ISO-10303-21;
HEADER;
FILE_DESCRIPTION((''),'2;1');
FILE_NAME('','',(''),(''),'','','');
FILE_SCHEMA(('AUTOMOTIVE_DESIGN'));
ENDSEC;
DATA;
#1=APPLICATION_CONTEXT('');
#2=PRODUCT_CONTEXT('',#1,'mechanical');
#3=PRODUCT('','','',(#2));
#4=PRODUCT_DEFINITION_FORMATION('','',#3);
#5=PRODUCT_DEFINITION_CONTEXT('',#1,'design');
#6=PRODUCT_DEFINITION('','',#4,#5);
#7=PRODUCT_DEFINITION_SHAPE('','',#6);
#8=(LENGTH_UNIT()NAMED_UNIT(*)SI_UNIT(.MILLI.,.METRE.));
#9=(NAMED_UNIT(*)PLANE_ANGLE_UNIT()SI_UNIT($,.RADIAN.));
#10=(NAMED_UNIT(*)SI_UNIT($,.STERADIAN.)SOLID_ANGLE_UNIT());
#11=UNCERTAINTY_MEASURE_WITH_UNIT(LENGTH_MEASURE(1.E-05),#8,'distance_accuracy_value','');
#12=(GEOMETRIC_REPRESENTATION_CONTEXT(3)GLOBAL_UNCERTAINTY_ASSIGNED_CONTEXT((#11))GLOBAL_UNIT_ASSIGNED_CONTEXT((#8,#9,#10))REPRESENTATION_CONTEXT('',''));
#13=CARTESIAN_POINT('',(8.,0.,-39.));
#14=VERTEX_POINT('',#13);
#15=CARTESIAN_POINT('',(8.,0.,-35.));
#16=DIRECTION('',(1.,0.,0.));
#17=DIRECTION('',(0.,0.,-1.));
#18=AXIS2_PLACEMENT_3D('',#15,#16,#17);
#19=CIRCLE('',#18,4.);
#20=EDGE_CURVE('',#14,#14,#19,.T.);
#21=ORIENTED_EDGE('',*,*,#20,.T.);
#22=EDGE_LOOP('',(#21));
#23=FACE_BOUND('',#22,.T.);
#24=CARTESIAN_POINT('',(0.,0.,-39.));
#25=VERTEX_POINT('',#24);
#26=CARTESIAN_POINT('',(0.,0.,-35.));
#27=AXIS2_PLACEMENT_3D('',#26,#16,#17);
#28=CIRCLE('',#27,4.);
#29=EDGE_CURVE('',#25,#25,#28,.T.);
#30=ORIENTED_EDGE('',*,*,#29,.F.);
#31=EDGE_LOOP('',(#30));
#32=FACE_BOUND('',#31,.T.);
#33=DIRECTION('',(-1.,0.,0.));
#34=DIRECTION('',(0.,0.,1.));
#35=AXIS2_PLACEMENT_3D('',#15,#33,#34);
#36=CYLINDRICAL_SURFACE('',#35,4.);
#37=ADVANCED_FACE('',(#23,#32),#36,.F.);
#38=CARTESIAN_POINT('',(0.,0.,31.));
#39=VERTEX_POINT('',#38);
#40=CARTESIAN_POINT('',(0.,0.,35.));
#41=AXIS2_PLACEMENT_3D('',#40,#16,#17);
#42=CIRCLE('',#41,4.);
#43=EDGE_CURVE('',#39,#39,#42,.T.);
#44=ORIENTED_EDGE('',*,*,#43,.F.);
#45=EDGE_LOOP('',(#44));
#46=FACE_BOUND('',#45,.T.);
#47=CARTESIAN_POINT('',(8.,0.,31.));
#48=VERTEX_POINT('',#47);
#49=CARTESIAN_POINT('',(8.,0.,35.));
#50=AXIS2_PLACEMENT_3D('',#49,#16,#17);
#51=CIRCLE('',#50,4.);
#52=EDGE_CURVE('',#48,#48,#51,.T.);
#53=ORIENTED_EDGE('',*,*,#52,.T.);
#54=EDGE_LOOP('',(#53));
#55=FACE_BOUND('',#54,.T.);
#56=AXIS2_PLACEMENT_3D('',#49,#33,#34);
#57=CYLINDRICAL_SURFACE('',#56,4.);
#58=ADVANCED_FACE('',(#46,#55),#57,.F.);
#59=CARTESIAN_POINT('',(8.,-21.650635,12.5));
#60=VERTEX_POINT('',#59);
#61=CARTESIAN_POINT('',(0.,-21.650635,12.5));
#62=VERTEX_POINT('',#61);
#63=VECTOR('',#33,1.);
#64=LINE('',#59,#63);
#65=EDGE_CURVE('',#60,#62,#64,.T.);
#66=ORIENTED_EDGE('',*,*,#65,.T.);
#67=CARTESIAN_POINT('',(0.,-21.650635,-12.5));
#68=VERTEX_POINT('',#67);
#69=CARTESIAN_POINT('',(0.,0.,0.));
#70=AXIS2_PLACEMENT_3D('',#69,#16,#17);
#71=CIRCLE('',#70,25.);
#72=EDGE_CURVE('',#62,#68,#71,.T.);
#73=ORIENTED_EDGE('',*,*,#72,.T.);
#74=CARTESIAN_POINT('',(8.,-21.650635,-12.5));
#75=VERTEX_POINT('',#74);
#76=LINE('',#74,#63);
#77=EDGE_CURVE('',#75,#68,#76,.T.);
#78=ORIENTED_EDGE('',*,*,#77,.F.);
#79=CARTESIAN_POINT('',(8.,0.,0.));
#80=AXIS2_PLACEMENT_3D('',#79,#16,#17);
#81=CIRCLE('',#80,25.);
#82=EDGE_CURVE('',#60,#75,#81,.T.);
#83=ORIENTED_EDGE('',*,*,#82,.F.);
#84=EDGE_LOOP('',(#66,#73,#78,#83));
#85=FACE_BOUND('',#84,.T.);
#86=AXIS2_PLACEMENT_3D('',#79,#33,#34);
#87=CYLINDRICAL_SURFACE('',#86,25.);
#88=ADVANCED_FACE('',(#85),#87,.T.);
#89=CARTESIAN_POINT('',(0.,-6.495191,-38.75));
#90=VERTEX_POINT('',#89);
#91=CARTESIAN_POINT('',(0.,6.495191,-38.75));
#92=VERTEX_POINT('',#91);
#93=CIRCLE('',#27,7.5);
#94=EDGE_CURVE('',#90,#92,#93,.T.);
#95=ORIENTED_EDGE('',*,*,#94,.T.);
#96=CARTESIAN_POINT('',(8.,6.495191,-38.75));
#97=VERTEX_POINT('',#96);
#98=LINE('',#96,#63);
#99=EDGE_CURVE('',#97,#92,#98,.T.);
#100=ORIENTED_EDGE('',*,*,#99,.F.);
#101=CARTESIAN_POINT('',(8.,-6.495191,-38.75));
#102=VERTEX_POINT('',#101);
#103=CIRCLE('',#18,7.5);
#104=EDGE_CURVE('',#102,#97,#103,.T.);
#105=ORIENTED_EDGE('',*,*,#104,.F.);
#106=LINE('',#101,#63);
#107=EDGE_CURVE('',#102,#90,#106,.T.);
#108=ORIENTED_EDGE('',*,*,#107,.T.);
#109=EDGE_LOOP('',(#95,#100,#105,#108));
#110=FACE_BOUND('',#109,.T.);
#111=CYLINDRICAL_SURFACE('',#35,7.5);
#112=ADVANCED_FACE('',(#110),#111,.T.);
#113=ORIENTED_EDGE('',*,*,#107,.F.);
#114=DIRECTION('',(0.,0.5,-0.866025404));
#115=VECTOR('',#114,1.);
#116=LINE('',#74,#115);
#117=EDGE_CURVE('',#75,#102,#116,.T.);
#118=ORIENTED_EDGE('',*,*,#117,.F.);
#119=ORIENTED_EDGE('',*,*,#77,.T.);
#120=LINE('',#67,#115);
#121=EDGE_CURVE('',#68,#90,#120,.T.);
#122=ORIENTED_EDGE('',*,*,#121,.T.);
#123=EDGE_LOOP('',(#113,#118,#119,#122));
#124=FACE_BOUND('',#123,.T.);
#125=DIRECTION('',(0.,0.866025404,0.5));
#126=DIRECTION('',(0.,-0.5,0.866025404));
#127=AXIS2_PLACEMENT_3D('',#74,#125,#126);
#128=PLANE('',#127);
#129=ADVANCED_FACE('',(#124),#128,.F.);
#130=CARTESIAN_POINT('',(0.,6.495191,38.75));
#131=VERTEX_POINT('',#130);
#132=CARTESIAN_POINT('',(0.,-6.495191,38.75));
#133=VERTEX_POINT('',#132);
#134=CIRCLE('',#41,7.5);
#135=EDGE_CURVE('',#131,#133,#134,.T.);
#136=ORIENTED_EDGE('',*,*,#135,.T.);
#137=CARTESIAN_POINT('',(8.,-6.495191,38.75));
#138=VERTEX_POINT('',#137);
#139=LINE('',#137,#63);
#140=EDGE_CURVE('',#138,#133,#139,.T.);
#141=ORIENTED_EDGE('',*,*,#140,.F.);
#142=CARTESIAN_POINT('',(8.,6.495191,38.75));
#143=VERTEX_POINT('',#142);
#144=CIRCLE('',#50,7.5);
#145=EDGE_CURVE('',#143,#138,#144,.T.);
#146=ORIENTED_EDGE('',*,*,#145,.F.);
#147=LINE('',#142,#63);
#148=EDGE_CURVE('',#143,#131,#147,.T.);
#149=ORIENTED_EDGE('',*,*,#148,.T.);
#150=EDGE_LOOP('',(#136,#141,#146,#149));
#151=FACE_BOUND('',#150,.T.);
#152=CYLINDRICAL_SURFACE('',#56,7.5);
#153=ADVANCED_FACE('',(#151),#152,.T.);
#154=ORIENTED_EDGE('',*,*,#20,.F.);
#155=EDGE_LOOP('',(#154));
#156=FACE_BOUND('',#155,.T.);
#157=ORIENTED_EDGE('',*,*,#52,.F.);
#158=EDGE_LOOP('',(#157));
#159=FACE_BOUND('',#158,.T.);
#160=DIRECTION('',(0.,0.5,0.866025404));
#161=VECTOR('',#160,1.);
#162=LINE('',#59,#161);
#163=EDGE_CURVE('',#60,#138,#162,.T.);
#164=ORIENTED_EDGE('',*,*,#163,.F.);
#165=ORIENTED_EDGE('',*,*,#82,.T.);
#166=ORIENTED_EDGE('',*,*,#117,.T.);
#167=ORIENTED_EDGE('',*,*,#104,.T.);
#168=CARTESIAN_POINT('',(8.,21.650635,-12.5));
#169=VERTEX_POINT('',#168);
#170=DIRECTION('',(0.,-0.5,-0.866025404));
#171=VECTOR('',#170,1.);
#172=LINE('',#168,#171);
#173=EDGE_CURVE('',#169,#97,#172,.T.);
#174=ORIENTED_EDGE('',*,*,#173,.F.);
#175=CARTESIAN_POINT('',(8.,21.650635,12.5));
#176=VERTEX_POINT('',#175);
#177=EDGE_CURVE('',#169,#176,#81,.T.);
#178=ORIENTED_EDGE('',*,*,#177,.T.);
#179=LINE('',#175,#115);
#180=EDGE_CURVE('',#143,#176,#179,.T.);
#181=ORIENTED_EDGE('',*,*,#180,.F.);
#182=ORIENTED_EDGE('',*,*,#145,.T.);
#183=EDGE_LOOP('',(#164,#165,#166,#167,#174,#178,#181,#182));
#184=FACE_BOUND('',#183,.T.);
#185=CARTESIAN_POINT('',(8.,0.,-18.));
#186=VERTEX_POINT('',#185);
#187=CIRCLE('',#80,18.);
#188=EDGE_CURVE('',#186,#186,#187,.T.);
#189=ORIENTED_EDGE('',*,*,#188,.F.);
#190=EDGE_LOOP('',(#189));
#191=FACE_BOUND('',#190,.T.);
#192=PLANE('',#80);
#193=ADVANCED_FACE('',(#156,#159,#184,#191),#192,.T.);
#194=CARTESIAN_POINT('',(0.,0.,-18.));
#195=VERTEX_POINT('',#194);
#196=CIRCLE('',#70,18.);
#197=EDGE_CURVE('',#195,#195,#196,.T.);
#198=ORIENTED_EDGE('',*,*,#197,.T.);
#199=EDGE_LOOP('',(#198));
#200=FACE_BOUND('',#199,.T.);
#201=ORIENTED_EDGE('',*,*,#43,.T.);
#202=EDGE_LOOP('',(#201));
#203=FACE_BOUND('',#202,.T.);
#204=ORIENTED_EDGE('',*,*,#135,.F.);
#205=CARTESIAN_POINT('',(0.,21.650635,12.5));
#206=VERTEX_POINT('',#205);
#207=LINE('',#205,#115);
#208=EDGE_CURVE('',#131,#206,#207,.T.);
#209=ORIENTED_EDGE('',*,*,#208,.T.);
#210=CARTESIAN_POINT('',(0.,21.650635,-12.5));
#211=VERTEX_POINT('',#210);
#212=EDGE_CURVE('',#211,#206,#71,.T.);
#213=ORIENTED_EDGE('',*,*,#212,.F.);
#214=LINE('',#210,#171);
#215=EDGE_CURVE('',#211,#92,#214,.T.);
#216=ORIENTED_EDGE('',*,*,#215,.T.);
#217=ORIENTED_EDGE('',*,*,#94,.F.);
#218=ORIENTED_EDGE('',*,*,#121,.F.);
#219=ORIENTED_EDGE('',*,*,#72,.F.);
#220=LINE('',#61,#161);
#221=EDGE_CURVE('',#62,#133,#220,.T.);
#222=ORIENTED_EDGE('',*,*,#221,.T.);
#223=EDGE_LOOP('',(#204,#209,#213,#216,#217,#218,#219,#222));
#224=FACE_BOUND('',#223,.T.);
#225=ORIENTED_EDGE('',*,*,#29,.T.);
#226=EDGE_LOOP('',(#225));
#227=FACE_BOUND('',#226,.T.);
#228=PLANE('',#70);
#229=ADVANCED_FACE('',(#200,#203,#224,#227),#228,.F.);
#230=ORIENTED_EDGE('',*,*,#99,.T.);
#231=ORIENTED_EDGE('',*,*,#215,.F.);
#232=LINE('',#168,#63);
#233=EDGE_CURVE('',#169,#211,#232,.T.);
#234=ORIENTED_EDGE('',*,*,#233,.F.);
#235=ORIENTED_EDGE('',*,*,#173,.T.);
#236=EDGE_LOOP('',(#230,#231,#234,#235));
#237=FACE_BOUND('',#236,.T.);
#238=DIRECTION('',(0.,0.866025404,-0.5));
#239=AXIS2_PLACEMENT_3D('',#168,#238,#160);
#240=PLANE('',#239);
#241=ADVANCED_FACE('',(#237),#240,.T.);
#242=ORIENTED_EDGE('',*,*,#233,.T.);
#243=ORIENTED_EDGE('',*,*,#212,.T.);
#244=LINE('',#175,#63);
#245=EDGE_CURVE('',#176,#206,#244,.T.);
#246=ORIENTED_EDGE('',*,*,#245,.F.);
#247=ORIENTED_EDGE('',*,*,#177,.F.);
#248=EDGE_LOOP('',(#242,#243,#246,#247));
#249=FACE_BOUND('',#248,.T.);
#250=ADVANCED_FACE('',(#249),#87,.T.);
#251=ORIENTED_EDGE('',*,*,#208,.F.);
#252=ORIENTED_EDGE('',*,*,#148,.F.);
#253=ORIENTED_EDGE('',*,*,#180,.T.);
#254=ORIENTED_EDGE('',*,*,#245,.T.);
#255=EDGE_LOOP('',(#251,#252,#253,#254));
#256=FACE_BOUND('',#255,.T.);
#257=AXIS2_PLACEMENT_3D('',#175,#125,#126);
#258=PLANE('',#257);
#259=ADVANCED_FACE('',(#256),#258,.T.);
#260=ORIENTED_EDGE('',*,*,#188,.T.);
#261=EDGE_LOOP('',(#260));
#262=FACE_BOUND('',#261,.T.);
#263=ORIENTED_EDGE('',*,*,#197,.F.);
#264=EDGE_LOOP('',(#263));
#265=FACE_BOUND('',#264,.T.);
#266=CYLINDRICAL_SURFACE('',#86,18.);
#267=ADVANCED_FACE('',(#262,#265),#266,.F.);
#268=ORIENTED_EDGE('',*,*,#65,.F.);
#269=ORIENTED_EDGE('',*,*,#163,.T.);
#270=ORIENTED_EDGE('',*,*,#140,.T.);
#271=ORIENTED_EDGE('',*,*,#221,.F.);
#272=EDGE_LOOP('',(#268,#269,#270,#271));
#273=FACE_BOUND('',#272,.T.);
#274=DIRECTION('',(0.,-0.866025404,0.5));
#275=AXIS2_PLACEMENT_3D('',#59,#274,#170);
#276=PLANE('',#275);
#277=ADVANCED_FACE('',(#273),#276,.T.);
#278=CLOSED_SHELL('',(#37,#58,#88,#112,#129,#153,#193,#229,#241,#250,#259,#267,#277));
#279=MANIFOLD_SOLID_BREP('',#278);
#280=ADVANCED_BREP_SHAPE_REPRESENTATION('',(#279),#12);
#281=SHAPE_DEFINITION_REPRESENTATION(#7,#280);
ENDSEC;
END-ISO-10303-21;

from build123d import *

# Parameters (mm, degrees)
SKETCH1_R           = 4
SKETCH1_R_2         = 18
BOSS_EXTRUDE1_DEPTH = 8


with BuildPart() as part:
    # Sketch1 → Boss-Extrude1 (new body)
    with BuildSketch(Plane(origin=(0, 0, 0), x_dir=(0, 0, -1), z_dir=(1, 0, 0))):
        with BuildLine():
            ThreePointArc((-38.75, 6.495190528), (-42.5, 0), (-38.75, -6.495190528))
            Line((-38.75, -6.495190528), (-12.5, -21.650635095))
            ThreePointArc((-12.5, -21.650635095), (0, -25), (12.5, -21.650635095))
            Line((12.5, -21.650635095), (38.75, -6.495190528))
            ThreePointArc((38.75, -6.495190528), (42.5, 0), (38.75, 6.495190528))
            Line((38.75, 6.495190528), (12.5, 21.650635095))
            ThreePointArc((12.5, 21.650635095), (0, 25), (-12.5, 21.650635095))
            Line((-12.5, 21.650635095), (-38.75, 6.495190528))
        make_face()
        with Locations((-35, 0)):
            Circle(SKETCH1_R, mode=Mode.SUBTRACT)
        Circle(SKETCH1_R_2, mode=Mode.SUBTRACT)
        with Locations((35, 0)):
            Circle(SKETCH1_R, mode=Mode.SUBTRACT)
    extrude(amount=BOSS_EXTRUDE1_DEPTH)


solid = part.part
